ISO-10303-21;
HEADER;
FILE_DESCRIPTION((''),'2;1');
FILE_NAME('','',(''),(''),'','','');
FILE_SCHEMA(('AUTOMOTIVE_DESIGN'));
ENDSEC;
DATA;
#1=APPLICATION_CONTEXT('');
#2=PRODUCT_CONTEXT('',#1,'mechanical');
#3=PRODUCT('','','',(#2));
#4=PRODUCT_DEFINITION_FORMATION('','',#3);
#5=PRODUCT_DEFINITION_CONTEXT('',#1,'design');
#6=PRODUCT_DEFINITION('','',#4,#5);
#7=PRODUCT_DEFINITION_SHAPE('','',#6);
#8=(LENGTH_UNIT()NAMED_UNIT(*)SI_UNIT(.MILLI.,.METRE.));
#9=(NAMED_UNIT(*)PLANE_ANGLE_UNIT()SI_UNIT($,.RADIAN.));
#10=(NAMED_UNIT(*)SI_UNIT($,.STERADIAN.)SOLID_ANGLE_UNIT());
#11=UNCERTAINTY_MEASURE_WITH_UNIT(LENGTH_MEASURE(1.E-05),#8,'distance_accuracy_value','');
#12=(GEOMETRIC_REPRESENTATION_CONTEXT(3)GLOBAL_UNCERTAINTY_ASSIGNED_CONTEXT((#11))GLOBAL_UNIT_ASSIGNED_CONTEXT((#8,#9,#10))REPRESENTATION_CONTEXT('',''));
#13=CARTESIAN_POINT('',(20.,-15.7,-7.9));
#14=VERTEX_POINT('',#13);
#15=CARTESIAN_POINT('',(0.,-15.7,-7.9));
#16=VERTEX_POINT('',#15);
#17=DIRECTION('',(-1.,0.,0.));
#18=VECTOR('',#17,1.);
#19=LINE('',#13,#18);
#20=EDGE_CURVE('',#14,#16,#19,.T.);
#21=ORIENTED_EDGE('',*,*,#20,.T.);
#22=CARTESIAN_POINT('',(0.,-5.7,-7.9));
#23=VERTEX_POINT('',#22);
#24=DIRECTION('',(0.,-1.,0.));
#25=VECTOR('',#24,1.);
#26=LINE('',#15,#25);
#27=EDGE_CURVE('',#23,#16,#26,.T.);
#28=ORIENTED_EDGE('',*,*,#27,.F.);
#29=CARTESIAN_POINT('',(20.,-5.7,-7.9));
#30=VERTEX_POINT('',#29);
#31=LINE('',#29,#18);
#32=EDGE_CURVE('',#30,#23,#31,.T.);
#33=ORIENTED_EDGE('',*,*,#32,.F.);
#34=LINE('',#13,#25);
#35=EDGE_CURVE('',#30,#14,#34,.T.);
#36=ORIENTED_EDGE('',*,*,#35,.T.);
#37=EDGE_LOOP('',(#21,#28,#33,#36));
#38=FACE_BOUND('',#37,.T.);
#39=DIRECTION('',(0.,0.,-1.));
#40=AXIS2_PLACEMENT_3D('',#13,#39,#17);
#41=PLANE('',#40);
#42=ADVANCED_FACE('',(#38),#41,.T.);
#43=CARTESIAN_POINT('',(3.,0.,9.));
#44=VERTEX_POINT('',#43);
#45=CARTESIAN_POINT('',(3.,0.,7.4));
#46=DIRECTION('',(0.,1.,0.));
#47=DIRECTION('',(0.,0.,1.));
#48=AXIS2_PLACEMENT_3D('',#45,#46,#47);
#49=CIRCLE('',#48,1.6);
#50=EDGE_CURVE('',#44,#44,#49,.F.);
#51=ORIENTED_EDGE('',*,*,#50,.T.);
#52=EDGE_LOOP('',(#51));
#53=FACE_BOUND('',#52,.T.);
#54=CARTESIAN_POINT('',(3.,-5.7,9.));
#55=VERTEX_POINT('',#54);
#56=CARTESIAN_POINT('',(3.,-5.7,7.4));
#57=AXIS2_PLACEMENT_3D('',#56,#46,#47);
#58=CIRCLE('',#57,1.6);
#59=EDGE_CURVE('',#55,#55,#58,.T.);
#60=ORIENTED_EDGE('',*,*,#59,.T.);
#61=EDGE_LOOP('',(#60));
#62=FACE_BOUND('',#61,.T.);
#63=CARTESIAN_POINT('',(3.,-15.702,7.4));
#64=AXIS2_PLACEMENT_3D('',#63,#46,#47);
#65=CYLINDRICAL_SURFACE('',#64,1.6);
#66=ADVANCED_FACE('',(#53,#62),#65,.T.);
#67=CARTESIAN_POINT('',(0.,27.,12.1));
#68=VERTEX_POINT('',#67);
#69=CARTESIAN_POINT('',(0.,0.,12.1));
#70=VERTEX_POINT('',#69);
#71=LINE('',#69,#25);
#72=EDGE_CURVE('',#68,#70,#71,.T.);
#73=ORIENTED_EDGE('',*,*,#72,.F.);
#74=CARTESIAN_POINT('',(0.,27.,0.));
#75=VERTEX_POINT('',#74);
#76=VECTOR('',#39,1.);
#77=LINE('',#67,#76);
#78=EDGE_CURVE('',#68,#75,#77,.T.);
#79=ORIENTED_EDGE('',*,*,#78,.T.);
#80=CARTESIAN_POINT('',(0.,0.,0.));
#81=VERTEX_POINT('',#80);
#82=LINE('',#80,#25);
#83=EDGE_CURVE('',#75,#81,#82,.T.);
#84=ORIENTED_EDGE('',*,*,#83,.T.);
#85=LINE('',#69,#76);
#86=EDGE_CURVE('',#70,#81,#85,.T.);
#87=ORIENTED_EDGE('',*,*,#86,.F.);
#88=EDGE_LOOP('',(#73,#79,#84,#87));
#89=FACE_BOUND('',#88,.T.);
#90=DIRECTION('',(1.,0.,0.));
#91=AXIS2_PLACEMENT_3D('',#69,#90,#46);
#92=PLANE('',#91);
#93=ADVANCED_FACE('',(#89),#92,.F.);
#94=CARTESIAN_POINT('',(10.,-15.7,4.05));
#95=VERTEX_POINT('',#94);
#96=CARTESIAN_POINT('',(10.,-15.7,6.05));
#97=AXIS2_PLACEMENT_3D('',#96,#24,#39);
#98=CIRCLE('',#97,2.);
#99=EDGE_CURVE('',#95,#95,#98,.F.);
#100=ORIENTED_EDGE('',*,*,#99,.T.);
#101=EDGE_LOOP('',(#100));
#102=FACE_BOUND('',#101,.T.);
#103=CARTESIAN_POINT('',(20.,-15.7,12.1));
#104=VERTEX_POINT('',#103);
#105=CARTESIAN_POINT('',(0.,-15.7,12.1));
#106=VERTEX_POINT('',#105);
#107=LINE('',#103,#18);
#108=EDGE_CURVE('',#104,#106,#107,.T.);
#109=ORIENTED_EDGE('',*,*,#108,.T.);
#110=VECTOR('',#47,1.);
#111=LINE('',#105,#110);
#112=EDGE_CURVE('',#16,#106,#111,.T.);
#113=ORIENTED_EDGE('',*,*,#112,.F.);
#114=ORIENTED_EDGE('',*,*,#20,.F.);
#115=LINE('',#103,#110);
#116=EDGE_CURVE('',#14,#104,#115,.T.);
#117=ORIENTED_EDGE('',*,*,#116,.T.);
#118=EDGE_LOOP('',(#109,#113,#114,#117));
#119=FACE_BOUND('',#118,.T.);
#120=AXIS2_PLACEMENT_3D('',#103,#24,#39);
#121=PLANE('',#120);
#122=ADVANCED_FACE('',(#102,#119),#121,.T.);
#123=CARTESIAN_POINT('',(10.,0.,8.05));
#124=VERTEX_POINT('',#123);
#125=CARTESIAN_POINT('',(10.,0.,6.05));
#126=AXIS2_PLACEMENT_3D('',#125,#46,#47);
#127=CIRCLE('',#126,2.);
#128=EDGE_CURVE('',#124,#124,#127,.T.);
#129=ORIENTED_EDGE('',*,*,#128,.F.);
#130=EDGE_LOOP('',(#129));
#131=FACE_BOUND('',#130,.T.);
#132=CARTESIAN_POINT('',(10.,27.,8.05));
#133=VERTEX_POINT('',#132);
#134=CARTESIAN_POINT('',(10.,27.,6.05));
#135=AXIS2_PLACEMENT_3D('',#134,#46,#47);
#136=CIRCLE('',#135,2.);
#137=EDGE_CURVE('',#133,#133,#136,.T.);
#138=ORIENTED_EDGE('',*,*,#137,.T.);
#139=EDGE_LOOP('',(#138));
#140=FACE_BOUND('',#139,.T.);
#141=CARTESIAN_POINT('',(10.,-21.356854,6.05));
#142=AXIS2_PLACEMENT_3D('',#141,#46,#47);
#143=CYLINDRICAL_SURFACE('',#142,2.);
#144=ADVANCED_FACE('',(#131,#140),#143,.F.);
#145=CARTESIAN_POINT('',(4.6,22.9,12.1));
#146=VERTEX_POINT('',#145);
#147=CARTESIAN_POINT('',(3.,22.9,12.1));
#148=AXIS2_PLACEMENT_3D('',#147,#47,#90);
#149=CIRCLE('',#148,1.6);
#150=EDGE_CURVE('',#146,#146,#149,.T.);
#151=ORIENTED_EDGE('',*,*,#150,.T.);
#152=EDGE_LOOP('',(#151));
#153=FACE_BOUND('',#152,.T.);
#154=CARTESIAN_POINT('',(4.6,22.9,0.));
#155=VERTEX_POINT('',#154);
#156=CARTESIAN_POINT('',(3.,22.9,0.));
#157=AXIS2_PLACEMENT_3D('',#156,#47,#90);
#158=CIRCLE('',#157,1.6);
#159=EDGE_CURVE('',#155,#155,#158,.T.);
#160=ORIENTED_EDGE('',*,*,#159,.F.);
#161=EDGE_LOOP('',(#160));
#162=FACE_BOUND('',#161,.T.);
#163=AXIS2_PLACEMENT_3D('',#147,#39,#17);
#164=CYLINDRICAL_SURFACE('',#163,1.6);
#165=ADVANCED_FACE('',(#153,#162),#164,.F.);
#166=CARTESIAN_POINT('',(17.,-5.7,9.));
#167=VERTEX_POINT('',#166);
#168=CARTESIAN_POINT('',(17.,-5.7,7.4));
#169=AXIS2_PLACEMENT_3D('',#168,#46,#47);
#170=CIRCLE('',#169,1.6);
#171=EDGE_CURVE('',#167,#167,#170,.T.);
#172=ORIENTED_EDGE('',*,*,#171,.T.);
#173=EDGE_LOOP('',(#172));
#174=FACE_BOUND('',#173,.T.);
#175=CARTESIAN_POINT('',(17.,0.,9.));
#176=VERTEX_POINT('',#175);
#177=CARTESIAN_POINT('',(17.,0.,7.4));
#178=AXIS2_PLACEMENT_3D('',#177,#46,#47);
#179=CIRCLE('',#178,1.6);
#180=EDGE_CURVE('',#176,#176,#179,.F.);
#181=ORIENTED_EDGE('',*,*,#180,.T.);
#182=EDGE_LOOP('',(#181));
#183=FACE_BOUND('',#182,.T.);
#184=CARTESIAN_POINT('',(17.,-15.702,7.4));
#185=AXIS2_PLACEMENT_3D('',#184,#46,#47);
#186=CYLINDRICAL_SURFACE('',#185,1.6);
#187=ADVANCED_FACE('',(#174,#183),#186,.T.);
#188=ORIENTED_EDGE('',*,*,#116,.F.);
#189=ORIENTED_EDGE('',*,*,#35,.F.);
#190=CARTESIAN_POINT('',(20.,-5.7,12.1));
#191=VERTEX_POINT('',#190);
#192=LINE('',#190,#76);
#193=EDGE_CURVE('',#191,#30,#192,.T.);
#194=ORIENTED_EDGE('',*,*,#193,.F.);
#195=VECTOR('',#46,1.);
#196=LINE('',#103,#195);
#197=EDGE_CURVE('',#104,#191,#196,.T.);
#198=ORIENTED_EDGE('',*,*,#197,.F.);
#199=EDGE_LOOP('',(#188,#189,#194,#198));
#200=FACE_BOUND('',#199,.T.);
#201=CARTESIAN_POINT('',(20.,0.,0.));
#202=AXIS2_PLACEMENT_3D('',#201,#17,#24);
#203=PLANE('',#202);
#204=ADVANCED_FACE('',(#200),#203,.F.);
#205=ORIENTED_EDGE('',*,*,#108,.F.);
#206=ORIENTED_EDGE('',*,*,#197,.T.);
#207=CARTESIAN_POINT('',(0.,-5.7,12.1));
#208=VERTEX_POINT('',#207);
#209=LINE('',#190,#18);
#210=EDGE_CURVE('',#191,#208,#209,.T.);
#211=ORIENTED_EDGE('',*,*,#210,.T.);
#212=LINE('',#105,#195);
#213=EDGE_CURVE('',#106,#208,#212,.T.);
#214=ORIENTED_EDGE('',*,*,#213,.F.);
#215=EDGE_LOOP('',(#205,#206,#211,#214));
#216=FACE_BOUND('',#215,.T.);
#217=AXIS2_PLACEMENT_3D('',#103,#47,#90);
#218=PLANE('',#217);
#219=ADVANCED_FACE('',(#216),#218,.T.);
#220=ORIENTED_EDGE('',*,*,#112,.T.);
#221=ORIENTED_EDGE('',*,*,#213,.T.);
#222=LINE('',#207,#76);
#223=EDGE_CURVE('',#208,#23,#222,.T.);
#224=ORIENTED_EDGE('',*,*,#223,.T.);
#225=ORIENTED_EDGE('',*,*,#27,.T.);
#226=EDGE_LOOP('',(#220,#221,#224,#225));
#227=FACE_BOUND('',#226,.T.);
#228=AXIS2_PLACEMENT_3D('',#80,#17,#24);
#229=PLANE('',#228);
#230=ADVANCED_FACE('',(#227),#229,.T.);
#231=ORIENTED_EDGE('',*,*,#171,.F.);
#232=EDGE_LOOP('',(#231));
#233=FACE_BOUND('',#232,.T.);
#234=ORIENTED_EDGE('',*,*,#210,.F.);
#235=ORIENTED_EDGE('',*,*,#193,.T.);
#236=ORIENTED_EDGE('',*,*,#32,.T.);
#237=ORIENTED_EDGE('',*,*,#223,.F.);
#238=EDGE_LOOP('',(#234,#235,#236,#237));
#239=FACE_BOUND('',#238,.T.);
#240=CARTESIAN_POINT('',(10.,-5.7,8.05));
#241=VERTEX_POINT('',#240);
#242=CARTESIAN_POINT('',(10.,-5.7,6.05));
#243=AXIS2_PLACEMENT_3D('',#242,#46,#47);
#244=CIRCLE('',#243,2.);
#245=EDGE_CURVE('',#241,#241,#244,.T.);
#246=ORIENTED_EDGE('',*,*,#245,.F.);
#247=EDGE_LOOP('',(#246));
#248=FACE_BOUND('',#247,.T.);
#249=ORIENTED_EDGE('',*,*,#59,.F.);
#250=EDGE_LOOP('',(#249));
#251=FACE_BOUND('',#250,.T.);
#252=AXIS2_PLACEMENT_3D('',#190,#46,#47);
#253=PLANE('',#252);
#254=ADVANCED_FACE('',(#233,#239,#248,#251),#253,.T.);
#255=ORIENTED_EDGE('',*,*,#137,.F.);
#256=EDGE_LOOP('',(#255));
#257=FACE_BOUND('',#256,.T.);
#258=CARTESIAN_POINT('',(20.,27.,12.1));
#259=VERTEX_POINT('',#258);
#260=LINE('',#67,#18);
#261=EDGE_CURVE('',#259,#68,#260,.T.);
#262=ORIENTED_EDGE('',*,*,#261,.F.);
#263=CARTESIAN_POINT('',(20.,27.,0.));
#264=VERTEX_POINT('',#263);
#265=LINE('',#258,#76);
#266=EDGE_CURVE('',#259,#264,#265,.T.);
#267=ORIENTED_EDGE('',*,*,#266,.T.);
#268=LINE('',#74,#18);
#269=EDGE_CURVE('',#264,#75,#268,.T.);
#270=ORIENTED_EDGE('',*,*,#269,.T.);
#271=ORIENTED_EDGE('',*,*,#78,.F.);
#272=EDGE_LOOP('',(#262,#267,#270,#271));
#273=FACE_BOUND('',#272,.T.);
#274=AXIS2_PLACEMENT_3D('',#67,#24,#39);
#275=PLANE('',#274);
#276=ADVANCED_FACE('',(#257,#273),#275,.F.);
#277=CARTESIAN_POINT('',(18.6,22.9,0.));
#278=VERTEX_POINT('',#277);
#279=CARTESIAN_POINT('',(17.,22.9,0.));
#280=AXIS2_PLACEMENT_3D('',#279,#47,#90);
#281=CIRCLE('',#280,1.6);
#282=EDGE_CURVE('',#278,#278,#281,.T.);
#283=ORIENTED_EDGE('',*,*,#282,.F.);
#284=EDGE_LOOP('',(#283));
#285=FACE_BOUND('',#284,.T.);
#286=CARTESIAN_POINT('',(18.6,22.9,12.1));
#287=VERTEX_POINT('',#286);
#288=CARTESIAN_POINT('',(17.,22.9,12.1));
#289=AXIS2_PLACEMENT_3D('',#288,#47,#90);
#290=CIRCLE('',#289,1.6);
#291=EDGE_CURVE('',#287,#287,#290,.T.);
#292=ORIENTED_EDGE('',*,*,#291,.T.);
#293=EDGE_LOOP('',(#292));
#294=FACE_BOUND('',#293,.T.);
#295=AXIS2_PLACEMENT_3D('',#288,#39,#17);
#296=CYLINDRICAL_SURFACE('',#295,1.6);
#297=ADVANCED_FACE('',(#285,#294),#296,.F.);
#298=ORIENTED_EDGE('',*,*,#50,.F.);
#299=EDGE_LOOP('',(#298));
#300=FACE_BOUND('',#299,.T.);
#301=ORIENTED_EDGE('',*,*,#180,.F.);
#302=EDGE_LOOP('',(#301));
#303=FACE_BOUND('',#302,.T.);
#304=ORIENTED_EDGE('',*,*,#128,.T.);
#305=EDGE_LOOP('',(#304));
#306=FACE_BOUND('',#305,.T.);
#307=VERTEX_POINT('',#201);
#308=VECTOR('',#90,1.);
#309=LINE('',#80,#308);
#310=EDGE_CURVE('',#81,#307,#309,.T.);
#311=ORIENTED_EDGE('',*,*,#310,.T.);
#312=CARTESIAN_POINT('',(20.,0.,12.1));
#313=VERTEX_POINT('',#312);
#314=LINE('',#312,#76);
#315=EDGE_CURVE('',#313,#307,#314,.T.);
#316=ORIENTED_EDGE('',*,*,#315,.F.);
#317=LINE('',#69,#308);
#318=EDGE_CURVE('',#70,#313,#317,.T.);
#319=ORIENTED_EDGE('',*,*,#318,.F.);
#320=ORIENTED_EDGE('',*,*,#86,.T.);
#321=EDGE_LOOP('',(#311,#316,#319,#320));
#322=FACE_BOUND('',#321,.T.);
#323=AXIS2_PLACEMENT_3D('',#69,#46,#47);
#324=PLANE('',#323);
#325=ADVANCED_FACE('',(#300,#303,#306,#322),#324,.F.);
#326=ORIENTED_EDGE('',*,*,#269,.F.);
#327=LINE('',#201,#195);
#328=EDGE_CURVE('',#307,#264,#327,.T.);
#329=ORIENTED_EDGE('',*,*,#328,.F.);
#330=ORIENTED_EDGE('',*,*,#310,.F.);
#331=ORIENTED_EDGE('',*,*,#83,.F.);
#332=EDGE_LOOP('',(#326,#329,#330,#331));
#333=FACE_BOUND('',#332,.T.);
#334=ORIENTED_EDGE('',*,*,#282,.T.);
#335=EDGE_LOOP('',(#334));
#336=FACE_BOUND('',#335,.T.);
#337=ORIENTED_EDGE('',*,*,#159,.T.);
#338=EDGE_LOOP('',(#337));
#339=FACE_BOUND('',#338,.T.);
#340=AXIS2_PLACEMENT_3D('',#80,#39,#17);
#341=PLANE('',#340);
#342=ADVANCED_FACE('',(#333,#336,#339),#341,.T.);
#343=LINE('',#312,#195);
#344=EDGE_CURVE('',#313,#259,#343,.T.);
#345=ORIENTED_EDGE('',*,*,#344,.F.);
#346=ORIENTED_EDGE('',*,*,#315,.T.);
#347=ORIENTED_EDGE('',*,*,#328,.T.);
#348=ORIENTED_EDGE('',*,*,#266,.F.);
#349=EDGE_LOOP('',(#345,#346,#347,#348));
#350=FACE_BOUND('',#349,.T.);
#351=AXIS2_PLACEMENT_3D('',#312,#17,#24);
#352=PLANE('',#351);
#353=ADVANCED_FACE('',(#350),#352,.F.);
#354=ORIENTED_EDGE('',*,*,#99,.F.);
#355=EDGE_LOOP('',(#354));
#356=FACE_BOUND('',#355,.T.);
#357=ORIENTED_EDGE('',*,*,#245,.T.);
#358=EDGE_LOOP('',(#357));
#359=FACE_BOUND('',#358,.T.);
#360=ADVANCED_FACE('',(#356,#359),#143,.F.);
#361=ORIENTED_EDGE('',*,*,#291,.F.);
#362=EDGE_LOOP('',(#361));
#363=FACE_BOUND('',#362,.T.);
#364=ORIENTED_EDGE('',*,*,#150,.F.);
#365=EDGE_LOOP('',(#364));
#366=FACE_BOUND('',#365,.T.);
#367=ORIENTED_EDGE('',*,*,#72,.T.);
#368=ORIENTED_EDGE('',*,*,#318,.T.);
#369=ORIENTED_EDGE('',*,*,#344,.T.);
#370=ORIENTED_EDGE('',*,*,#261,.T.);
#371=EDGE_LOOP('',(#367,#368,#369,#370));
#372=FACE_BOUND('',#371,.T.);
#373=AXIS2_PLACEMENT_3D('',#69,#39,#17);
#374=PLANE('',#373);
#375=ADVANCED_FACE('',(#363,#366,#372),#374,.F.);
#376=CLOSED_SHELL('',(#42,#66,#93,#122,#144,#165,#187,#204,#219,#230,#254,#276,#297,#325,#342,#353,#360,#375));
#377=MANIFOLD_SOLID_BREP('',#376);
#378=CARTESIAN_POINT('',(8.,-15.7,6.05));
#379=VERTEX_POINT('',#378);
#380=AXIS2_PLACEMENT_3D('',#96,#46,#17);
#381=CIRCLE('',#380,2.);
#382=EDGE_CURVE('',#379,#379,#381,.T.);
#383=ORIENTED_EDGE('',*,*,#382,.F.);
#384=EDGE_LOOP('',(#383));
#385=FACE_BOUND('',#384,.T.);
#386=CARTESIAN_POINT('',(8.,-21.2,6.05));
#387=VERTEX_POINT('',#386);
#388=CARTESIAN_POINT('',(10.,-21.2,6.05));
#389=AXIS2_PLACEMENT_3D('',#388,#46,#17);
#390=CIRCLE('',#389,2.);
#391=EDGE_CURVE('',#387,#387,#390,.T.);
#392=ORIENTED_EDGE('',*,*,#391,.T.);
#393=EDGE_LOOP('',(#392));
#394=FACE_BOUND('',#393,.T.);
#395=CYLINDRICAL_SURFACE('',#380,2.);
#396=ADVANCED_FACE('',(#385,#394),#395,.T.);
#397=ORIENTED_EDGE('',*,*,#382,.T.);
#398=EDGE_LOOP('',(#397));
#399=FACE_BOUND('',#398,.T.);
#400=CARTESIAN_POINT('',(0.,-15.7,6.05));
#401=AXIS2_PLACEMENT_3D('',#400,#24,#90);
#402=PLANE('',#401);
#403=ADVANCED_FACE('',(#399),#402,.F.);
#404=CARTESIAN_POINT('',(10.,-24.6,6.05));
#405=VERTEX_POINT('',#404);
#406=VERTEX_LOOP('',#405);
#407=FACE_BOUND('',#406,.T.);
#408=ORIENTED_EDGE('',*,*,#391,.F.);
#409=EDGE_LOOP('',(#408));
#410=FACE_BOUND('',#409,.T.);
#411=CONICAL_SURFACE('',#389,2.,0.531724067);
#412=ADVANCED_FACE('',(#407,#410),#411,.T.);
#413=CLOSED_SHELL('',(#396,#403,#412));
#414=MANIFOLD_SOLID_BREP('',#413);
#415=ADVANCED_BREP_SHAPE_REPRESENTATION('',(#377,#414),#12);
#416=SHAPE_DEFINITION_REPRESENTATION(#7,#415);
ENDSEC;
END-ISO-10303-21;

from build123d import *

# Parameters (mm, degrees)
SKETCH1_W           = 20
SKETCH1_H           = 27
SKETCH1_R           = 1.6
BOSS_EXTRUDE1_DEPTH = 12.1
SKETCH2_W           = 20
SKETCH2_H           = 10
BOSS_EXTRUDE2_DEPTH = 20
BOSS_EXTRUDE3_REACH = 37.713
SKETCH3_R           = 1.6
CUT_EXTRUDE1_REACH  = 50.68
SKETCH4_R           = 2


with BuildPart() as part:
    # Sketch1 → Boss-Extrude1 (new body)
    with BuildSketch(Plane.XY):
        with Locations((10, 13.5)):
            Rectangle(SKETCH1_W, SKETCH1_H)
        with Locations((3, 22.9)):
            Circle(SKETCH1_R, mode=Mode.SUBTRACT)
        with Locations((17, 22.9)):
            Circle(SKETCH1_R, mode=Mode.SUBTRACT)
    extrude(amount=BOSS_EXTRUDE1_DEPTH)


with BuildPart() as body_2:
    # Sketch2 → Boss-Extrude2 (new body)
    with BuildSketch(Plane.ZY):
        with Locations((2.1, -10.7)):
            Rectangle(SKETCH2_W, SKETCH2_H)
    extrude(amount=-BOSS_EXTRUDE2_DEPTH)

    # Sketch3 → Boss-Extrude3 (add, up to next)
    with BuildSketch(Plane.XZ, mode=Mode.PRIVATE) as boss_extrude3_sk1:
        with Locations(Location((3, 7.4, 0), (0, 0, 90))):
            Circle(SKETCH3_R)
    boss_extrude3_tool1 = extrude(boss_extrude3_sk1.sketch, amount=BOSS_EXTRUDE3_REACH, mode=Mode.PRIVATE) - body_2.part
    # Sketch3 → Boss-Extrude3 (add, up to next)
    with BuildSketch(Plane.XZ, mode=Mode.PRIVATE) as boss_extrude3_sk2:
        with Locations(Location((17, 7.4, 0), (0, 0, 90))):
            Circle(SKETCH3_R)
    boss_extrude3_tool2 = extrude(boss_extrude3_sk2.sketch, amount=BOSS_EXTRUDE3_REACH, mode=Mode.PRIVATE) - body_2.part

    add(part.part)  # Boss-Extrude3 merges part
    add(boss_extrude3_tool1.solids().sort_by_distance((3, 0, 7.4))[0])
    add(boss_extrude3_tool2.solids().sort_by_distance((17, 0, 7.4))[0])

    # Cut-Extrude1: up to this face of the body (flat: up to its plane)
    cut_extrude1_end = Plane(body_2.part.faces().sort_by_distance((10, -15.7, 2.1))[0])
    # Sketch4 → Cut-Extrude1 (cut, up to the picked face)
    with BuildSketch(Plane(origin=(0, 27, 0), x_dir=(1, 0, 0), z_dir=(0, 1, 0)), mode=Mode.PRIVATE) as cut_extrude1_sk1:
        with Locations(Location((10, -6.05, 0), (0, 0, 270))):
            Circle(SKETCH4_R)
    cut_extrude1_tool1 = split(extrude(cut_extrude1_sk1.sketch, amount=-CUT_EXTRUDE1_REACH, mode=Mode.PRIVATE), bisect_by=cut_extrude1_end, keep=Keep.BOTH, mode=Mode.PRIVATE)
    add(cut_extrude1_tool1.solids().sort_by(Axis((10, 27, 6.05), (0, -1, 0)))[0], mode=Mode.SUBTRACT)


with BuildPart() as body_2_2:
    # Sketch6 → Revolve1 (revolve)
    with BuildSketch(Plane.XY.offset(6.05)):
        Polygon((8, -15.7), (10, -15.7), (10, -24.6), (8, -21.2), align=None)
    revolve(axis=Axis((10, -15.7, 6.05), (0, -1, 0)))


solid = Compound([body_2.part, body_2_2.part])
